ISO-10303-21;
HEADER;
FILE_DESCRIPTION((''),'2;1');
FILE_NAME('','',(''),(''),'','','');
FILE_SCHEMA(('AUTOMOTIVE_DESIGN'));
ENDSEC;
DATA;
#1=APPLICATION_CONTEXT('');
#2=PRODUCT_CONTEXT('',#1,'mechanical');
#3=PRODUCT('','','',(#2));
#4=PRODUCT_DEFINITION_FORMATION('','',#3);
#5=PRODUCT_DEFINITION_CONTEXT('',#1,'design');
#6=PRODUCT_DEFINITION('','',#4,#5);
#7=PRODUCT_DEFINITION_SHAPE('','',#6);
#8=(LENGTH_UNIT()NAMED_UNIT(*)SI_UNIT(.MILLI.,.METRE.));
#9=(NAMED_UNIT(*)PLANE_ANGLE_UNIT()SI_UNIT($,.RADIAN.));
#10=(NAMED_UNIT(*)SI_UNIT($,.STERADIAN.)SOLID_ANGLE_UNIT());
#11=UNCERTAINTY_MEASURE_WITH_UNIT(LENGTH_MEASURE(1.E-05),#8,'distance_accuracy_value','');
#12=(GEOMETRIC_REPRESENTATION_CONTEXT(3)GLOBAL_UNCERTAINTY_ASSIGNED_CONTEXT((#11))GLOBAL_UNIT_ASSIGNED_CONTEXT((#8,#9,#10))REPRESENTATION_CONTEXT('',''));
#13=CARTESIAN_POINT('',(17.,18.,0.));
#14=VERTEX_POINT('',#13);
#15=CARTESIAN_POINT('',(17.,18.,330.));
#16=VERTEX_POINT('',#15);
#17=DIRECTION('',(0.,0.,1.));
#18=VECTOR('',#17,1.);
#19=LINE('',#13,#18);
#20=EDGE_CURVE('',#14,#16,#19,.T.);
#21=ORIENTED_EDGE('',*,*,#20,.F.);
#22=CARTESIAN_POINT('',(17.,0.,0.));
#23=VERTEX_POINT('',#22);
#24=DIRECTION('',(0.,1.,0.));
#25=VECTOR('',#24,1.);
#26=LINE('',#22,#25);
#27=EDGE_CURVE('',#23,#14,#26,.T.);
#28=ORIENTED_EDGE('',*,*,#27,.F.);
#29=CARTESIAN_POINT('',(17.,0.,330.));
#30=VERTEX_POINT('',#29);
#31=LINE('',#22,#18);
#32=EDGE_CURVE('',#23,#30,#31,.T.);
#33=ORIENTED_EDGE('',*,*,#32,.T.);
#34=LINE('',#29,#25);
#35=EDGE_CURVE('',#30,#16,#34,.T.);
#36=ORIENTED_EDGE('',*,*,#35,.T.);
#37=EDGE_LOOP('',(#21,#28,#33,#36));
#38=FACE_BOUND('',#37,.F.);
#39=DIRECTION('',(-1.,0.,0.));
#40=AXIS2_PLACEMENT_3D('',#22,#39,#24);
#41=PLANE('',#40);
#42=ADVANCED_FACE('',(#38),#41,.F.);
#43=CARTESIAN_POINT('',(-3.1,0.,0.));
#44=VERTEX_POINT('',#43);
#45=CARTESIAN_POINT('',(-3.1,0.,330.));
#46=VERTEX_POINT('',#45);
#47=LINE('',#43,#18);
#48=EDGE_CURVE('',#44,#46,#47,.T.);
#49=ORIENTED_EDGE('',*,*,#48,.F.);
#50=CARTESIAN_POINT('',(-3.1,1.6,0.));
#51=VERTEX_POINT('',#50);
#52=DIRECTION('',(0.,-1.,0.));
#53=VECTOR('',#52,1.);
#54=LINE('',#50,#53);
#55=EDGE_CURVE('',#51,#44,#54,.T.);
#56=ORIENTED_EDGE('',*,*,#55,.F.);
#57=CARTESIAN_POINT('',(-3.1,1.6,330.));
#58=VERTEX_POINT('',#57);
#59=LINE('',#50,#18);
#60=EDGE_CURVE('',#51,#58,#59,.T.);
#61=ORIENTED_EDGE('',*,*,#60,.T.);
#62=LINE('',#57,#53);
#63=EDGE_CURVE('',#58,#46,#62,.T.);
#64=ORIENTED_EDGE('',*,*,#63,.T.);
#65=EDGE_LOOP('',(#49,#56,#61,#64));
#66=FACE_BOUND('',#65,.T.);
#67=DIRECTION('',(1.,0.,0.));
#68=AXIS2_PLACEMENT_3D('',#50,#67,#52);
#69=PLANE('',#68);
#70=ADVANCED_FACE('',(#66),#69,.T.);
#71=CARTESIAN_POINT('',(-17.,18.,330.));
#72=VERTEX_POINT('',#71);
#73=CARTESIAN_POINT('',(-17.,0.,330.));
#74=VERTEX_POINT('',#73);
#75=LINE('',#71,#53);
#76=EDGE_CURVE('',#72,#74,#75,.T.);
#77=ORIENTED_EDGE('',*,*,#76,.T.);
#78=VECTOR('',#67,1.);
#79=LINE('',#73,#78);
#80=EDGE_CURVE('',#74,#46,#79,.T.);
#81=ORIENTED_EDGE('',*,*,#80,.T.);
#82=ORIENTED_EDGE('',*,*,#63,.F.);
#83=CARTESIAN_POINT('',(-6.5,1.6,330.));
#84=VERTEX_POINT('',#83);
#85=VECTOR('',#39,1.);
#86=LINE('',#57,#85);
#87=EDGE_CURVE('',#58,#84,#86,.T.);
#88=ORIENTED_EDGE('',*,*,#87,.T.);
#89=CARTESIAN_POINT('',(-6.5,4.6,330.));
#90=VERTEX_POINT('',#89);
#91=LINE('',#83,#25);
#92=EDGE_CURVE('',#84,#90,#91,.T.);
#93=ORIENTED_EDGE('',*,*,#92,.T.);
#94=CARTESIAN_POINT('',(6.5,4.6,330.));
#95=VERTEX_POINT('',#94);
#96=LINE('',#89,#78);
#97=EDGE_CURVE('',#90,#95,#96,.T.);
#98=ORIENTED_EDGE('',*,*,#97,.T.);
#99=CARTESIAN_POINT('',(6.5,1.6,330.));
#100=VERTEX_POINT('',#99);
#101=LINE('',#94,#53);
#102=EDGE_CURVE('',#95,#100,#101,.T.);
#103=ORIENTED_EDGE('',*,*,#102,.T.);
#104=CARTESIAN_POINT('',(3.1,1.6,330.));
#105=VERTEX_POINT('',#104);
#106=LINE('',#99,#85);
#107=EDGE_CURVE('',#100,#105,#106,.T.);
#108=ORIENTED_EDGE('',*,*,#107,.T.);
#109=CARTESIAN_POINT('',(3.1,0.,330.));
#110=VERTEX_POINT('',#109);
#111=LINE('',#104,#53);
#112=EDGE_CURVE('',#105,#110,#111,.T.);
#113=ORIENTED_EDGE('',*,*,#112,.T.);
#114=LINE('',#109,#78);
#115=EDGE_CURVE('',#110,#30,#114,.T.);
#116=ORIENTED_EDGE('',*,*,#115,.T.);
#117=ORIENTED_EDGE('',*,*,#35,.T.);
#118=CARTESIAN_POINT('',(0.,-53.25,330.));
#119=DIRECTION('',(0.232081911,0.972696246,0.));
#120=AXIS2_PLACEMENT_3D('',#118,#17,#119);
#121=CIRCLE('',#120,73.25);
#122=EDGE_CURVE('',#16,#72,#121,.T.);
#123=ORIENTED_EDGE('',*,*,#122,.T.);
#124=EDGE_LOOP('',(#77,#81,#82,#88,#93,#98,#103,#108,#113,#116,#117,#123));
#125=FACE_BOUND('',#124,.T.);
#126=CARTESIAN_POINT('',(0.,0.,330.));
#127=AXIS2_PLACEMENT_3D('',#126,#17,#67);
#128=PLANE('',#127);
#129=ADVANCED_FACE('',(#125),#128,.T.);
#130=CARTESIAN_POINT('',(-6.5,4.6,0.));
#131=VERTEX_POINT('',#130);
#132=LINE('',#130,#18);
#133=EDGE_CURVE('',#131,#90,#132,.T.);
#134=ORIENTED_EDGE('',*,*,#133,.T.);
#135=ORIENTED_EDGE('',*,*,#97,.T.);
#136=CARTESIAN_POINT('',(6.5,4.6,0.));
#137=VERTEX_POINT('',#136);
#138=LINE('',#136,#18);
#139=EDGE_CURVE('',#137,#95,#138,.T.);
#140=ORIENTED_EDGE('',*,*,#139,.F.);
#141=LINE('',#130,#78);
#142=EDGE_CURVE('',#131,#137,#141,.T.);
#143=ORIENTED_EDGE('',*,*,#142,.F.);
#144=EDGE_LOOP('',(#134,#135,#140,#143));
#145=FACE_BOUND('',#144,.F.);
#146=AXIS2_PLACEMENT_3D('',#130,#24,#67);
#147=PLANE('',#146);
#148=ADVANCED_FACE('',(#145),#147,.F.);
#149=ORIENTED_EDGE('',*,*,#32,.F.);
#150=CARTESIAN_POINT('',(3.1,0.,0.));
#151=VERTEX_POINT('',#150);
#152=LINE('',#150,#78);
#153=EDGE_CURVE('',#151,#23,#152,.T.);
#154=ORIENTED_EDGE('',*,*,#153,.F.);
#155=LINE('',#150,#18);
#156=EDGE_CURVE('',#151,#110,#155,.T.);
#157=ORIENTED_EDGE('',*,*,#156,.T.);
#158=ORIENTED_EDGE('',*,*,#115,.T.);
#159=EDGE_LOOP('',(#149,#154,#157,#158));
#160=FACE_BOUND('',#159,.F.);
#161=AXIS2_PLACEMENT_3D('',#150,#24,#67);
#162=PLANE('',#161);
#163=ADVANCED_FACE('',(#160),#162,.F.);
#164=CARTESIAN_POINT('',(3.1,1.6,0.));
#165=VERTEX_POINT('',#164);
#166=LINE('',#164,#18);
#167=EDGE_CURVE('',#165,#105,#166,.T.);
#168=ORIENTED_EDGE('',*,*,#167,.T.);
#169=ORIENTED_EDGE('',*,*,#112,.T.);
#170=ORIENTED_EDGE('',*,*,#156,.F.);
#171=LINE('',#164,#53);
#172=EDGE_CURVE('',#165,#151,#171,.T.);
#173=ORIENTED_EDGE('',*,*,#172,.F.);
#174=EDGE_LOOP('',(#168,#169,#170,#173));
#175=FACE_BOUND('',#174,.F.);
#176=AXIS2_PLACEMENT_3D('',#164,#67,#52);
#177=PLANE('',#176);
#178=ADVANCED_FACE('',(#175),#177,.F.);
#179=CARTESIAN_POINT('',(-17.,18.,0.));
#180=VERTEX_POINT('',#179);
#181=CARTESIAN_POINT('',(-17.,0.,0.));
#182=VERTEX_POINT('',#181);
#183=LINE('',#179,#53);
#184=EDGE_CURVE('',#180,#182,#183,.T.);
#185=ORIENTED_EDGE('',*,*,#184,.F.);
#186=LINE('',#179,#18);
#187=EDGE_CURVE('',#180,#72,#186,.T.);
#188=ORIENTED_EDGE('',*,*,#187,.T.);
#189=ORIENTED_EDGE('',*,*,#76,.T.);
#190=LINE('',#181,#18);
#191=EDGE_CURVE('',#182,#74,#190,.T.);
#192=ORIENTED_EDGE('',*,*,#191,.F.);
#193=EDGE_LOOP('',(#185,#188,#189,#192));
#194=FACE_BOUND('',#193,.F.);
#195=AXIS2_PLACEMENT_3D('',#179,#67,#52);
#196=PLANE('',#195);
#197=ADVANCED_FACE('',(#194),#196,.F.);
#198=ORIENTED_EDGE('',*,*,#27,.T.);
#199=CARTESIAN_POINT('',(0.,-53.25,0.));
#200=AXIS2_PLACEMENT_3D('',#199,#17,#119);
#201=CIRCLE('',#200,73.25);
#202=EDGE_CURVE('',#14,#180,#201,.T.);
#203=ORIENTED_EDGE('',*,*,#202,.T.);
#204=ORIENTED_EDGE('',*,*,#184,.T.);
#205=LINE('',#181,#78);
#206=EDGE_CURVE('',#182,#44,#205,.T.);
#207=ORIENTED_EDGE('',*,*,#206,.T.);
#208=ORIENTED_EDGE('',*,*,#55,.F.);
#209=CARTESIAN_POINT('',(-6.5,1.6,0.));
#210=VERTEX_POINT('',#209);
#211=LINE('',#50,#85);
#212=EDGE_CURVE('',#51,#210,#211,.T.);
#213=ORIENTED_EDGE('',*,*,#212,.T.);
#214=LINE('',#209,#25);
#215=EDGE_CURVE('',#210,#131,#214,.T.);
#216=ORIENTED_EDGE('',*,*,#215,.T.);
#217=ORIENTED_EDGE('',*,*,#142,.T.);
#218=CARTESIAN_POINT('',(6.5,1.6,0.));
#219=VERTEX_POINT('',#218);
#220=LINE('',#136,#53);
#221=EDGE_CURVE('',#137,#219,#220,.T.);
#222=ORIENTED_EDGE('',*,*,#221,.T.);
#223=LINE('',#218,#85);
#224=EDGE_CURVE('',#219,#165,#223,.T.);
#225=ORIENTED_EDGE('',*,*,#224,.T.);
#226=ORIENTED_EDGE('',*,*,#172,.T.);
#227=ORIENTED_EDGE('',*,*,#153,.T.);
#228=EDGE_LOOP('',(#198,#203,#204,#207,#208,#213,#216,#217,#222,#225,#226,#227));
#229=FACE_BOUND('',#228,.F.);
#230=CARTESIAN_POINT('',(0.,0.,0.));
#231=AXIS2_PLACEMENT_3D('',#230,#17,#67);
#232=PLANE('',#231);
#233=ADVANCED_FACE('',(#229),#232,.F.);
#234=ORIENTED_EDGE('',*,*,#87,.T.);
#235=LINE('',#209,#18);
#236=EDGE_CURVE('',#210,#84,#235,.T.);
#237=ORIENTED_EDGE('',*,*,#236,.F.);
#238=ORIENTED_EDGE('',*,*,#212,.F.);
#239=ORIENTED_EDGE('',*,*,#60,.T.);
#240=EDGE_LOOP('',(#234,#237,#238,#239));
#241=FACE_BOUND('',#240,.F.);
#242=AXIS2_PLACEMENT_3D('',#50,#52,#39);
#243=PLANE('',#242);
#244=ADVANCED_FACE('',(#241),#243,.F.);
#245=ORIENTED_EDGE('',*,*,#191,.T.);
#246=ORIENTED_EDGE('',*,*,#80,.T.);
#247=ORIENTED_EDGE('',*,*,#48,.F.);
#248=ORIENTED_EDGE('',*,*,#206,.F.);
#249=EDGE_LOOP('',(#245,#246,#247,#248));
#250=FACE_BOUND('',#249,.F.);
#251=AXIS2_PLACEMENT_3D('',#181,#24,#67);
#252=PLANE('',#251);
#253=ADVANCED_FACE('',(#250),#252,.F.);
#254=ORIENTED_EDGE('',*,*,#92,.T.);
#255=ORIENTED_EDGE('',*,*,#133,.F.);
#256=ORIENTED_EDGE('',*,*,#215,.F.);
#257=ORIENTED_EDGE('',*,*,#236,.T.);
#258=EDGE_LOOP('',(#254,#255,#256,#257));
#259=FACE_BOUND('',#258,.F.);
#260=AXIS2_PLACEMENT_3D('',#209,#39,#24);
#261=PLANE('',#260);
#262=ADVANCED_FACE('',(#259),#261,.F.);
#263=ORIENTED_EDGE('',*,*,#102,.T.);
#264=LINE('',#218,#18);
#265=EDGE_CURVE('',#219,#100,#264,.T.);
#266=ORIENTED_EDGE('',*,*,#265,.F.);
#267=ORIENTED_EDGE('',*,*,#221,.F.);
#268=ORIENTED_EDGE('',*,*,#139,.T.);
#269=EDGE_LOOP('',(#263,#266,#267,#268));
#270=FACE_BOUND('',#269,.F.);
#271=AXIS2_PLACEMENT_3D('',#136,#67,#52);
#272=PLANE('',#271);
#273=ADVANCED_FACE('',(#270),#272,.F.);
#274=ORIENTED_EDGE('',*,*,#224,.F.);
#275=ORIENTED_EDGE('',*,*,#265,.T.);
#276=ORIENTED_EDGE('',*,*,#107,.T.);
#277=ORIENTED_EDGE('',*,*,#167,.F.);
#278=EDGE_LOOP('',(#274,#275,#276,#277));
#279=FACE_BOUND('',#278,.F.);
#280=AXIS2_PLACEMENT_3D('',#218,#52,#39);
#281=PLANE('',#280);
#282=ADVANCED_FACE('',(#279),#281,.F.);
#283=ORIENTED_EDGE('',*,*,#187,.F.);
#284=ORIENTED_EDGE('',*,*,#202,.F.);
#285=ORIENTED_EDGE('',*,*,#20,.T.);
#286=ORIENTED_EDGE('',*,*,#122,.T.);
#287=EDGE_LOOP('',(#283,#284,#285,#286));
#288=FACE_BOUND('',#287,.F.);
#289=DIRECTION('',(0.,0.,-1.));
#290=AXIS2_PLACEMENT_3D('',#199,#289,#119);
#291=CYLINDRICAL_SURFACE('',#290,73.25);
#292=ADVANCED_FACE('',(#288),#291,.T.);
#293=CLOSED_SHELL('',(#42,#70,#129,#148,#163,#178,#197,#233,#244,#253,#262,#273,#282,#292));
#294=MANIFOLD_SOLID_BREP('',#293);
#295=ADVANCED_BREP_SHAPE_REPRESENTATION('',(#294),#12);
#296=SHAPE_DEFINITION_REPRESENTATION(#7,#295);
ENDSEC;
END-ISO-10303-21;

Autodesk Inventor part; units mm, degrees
ref_plane "YZ Plane" through (0, 0, 0) normal (1, 0, 0) x (0, 1, 0)
ref_plane "XZ Plane" through (0, 0, 0) normal (0, 1, 0) x (-1, 0, 0)
ref_plane "XY Plane" through (0, 0, 0) normal (0, 0, 1) x (1, 0, 0)
sketch "Skizze1" plane through (0, 0, 0) normal (0, 0, 1) x (1, 0, 0)
  line L0 (17, 0) -> (17, 18)
  line L1 (-17, 18) -> (-17, 0)
  arc A0 (17, 18) -> (-17, 18) centre (0, -53.25) ccw
  line L2 (-6.5, 4.6) -> (6.5, 4.6)
  line L3 (6.5, 4.6) -> (6.5, 1.6)
  line L4 (-6.5, 1.6) -> (-6.5, 4.6)
  line L5 (-6.5, 4.6) -> (6.5, 1.6) construction
  line L6 (6.5, 4.6) -> (-6.5, 1.6) construction
  line L7 (-3.1, 1.6) -> (-3.1, 0)
  line L8 (3.1, 1.6) -> (3.1, 0)
  line L9 (6.5, 1.6) -> (3.1, 1.6)
  line L10 (-3.1, 1.6) -> (-6.5, 1.6)
  line L11 (-17, 0) -> (-3.1, 0)
  line L12 (3.1, 0) -> (17, 0)
  line L13 (0, 3.1) -> (0, 0) construction
  dimension "d2" = 18
  dimension "d4" = 34
  dimension "d5" = 6.2
  dimension "d6" = 4.6
  dimension "d7" = 3
  dimension "d8" = 13
  dimension "d9" = 20
extrude "Extrusion1" add sketch "Skizze1" along normal blind 330
properties part number "Tunel_IRBeam" material "Acetalharz, schwarz"
